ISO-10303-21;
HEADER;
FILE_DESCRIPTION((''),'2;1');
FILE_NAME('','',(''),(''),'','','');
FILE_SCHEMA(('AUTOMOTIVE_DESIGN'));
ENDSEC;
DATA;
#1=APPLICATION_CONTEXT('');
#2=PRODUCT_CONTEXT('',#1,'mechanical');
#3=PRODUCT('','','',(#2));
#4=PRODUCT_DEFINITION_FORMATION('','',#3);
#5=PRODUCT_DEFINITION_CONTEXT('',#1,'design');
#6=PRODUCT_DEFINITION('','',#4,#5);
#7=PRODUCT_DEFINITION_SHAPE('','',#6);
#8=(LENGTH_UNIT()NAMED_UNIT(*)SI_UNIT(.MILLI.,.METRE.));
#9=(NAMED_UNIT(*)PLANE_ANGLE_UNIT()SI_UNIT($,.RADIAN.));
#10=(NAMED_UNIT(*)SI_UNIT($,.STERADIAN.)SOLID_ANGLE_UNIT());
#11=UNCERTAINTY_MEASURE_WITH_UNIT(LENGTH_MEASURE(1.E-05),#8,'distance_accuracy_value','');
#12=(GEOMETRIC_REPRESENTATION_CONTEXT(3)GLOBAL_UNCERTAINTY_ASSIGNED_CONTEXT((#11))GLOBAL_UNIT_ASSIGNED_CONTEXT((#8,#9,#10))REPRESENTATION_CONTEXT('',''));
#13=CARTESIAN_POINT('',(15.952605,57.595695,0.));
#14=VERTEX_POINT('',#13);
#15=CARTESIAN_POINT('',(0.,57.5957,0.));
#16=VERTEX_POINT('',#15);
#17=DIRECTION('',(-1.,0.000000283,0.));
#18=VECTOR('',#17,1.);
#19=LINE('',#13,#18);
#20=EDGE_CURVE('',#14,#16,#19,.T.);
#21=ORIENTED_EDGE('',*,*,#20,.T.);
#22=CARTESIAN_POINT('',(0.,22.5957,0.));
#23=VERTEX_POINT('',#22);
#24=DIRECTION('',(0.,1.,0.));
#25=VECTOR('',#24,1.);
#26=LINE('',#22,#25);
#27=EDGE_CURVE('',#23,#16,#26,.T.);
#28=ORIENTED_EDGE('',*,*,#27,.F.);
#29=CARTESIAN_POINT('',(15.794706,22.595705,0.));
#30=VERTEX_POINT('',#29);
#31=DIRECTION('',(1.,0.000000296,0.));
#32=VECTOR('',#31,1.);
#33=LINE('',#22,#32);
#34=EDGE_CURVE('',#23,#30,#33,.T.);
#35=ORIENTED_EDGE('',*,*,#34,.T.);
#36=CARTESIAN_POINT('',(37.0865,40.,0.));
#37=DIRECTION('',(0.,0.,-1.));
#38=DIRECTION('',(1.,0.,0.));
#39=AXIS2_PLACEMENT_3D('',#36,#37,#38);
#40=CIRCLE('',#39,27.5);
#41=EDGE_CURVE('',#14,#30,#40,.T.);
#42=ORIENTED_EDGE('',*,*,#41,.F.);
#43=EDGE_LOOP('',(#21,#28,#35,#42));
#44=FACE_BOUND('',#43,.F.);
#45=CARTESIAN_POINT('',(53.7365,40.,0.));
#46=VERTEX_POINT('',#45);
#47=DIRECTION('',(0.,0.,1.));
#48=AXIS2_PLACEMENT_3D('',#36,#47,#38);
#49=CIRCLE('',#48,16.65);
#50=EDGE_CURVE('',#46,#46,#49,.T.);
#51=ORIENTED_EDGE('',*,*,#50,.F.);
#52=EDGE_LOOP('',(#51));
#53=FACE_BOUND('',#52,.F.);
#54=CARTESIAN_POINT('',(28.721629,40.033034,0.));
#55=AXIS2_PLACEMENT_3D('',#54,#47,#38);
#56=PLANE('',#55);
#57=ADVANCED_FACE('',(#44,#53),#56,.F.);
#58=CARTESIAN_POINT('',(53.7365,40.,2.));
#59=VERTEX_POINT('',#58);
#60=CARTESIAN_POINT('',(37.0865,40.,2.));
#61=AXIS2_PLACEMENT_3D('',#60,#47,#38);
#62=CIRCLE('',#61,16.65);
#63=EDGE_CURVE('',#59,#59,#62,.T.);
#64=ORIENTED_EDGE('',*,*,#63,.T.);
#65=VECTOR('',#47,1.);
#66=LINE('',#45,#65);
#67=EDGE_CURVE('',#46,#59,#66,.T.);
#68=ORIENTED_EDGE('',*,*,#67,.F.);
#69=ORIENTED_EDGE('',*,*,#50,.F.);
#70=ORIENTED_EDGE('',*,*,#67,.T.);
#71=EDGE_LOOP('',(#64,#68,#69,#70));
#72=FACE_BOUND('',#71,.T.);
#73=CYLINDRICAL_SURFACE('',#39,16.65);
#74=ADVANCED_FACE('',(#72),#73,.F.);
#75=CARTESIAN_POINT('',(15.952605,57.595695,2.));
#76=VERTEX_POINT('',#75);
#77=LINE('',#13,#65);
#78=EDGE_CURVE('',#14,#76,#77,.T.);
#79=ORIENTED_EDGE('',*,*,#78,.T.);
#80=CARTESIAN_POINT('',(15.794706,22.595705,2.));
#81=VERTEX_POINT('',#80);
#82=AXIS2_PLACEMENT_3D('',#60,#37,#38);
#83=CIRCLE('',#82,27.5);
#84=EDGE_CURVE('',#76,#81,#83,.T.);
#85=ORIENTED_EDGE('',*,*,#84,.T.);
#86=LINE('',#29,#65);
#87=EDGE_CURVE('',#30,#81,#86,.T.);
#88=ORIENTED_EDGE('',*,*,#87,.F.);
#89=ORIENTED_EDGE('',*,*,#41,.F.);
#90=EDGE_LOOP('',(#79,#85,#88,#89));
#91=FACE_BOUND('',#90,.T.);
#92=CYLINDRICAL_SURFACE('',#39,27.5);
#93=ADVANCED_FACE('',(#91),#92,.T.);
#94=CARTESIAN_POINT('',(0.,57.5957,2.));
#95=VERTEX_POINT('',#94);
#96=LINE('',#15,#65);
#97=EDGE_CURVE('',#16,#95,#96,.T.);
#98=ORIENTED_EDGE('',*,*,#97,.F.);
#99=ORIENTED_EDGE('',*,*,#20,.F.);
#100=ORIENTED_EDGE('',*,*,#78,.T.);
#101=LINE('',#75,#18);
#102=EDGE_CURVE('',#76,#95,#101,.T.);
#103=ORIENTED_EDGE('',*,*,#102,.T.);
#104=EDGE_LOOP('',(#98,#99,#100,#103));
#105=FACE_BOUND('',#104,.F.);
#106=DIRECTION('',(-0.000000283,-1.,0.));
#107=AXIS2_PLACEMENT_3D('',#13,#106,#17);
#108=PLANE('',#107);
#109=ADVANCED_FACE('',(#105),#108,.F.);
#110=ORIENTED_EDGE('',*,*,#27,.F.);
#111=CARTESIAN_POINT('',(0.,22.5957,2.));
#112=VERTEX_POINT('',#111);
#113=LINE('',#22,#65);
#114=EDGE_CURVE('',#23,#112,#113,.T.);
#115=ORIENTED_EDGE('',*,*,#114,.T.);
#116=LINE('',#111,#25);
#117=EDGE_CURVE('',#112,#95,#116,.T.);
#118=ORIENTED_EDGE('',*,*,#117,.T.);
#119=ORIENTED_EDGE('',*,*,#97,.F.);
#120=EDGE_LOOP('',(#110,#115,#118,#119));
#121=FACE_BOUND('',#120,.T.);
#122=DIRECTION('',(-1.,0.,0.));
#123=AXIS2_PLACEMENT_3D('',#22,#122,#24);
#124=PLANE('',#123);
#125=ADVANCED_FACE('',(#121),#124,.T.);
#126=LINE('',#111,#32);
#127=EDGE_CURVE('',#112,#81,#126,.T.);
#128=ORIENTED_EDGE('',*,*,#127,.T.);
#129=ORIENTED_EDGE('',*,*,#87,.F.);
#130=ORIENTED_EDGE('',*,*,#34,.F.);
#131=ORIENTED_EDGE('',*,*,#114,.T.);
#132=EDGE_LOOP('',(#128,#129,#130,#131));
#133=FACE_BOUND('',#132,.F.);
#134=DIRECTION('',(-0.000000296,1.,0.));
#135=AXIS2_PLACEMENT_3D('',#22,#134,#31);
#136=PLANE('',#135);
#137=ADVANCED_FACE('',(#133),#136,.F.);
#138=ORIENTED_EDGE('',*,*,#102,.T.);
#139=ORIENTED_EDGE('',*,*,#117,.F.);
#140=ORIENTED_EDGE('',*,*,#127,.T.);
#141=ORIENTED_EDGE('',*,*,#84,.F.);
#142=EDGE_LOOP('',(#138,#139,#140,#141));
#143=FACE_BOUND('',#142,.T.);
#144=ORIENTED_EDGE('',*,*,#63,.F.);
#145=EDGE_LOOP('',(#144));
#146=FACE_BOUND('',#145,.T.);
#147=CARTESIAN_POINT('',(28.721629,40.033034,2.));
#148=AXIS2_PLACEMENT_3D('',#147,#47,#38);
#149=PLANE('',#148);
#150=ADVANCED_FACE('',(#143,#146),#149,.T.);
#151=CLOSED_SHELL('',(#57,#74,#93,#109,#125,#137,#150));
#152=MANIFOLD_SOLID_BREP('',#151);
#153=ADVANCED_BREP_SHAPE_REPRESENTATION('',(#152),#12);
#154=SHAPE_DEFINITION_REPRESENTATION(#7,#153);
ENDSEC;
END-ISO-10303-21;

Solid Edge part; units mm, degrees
sketch "Sketch1" plane through (0, 0, 0) normal (0, 0, 1) x (1, 0, 0)
  line L0 (15.9526, 57.5957) -> (0, 57.5957)
  line L1 (0, 22.5957) -> (0, 57.5957)
  line L2 (0, 22.5957) -> (15.7947, 22.5957)
  arc A0 (15.9526, 57.5957) -> (15.7947, 22.5957) centre (37.0865, 40) cw
  circle A1 centre (37.0865, 40) radius 16.65
extrude "Protrusion1" add sketch "Sketch1" along normal blind 2
